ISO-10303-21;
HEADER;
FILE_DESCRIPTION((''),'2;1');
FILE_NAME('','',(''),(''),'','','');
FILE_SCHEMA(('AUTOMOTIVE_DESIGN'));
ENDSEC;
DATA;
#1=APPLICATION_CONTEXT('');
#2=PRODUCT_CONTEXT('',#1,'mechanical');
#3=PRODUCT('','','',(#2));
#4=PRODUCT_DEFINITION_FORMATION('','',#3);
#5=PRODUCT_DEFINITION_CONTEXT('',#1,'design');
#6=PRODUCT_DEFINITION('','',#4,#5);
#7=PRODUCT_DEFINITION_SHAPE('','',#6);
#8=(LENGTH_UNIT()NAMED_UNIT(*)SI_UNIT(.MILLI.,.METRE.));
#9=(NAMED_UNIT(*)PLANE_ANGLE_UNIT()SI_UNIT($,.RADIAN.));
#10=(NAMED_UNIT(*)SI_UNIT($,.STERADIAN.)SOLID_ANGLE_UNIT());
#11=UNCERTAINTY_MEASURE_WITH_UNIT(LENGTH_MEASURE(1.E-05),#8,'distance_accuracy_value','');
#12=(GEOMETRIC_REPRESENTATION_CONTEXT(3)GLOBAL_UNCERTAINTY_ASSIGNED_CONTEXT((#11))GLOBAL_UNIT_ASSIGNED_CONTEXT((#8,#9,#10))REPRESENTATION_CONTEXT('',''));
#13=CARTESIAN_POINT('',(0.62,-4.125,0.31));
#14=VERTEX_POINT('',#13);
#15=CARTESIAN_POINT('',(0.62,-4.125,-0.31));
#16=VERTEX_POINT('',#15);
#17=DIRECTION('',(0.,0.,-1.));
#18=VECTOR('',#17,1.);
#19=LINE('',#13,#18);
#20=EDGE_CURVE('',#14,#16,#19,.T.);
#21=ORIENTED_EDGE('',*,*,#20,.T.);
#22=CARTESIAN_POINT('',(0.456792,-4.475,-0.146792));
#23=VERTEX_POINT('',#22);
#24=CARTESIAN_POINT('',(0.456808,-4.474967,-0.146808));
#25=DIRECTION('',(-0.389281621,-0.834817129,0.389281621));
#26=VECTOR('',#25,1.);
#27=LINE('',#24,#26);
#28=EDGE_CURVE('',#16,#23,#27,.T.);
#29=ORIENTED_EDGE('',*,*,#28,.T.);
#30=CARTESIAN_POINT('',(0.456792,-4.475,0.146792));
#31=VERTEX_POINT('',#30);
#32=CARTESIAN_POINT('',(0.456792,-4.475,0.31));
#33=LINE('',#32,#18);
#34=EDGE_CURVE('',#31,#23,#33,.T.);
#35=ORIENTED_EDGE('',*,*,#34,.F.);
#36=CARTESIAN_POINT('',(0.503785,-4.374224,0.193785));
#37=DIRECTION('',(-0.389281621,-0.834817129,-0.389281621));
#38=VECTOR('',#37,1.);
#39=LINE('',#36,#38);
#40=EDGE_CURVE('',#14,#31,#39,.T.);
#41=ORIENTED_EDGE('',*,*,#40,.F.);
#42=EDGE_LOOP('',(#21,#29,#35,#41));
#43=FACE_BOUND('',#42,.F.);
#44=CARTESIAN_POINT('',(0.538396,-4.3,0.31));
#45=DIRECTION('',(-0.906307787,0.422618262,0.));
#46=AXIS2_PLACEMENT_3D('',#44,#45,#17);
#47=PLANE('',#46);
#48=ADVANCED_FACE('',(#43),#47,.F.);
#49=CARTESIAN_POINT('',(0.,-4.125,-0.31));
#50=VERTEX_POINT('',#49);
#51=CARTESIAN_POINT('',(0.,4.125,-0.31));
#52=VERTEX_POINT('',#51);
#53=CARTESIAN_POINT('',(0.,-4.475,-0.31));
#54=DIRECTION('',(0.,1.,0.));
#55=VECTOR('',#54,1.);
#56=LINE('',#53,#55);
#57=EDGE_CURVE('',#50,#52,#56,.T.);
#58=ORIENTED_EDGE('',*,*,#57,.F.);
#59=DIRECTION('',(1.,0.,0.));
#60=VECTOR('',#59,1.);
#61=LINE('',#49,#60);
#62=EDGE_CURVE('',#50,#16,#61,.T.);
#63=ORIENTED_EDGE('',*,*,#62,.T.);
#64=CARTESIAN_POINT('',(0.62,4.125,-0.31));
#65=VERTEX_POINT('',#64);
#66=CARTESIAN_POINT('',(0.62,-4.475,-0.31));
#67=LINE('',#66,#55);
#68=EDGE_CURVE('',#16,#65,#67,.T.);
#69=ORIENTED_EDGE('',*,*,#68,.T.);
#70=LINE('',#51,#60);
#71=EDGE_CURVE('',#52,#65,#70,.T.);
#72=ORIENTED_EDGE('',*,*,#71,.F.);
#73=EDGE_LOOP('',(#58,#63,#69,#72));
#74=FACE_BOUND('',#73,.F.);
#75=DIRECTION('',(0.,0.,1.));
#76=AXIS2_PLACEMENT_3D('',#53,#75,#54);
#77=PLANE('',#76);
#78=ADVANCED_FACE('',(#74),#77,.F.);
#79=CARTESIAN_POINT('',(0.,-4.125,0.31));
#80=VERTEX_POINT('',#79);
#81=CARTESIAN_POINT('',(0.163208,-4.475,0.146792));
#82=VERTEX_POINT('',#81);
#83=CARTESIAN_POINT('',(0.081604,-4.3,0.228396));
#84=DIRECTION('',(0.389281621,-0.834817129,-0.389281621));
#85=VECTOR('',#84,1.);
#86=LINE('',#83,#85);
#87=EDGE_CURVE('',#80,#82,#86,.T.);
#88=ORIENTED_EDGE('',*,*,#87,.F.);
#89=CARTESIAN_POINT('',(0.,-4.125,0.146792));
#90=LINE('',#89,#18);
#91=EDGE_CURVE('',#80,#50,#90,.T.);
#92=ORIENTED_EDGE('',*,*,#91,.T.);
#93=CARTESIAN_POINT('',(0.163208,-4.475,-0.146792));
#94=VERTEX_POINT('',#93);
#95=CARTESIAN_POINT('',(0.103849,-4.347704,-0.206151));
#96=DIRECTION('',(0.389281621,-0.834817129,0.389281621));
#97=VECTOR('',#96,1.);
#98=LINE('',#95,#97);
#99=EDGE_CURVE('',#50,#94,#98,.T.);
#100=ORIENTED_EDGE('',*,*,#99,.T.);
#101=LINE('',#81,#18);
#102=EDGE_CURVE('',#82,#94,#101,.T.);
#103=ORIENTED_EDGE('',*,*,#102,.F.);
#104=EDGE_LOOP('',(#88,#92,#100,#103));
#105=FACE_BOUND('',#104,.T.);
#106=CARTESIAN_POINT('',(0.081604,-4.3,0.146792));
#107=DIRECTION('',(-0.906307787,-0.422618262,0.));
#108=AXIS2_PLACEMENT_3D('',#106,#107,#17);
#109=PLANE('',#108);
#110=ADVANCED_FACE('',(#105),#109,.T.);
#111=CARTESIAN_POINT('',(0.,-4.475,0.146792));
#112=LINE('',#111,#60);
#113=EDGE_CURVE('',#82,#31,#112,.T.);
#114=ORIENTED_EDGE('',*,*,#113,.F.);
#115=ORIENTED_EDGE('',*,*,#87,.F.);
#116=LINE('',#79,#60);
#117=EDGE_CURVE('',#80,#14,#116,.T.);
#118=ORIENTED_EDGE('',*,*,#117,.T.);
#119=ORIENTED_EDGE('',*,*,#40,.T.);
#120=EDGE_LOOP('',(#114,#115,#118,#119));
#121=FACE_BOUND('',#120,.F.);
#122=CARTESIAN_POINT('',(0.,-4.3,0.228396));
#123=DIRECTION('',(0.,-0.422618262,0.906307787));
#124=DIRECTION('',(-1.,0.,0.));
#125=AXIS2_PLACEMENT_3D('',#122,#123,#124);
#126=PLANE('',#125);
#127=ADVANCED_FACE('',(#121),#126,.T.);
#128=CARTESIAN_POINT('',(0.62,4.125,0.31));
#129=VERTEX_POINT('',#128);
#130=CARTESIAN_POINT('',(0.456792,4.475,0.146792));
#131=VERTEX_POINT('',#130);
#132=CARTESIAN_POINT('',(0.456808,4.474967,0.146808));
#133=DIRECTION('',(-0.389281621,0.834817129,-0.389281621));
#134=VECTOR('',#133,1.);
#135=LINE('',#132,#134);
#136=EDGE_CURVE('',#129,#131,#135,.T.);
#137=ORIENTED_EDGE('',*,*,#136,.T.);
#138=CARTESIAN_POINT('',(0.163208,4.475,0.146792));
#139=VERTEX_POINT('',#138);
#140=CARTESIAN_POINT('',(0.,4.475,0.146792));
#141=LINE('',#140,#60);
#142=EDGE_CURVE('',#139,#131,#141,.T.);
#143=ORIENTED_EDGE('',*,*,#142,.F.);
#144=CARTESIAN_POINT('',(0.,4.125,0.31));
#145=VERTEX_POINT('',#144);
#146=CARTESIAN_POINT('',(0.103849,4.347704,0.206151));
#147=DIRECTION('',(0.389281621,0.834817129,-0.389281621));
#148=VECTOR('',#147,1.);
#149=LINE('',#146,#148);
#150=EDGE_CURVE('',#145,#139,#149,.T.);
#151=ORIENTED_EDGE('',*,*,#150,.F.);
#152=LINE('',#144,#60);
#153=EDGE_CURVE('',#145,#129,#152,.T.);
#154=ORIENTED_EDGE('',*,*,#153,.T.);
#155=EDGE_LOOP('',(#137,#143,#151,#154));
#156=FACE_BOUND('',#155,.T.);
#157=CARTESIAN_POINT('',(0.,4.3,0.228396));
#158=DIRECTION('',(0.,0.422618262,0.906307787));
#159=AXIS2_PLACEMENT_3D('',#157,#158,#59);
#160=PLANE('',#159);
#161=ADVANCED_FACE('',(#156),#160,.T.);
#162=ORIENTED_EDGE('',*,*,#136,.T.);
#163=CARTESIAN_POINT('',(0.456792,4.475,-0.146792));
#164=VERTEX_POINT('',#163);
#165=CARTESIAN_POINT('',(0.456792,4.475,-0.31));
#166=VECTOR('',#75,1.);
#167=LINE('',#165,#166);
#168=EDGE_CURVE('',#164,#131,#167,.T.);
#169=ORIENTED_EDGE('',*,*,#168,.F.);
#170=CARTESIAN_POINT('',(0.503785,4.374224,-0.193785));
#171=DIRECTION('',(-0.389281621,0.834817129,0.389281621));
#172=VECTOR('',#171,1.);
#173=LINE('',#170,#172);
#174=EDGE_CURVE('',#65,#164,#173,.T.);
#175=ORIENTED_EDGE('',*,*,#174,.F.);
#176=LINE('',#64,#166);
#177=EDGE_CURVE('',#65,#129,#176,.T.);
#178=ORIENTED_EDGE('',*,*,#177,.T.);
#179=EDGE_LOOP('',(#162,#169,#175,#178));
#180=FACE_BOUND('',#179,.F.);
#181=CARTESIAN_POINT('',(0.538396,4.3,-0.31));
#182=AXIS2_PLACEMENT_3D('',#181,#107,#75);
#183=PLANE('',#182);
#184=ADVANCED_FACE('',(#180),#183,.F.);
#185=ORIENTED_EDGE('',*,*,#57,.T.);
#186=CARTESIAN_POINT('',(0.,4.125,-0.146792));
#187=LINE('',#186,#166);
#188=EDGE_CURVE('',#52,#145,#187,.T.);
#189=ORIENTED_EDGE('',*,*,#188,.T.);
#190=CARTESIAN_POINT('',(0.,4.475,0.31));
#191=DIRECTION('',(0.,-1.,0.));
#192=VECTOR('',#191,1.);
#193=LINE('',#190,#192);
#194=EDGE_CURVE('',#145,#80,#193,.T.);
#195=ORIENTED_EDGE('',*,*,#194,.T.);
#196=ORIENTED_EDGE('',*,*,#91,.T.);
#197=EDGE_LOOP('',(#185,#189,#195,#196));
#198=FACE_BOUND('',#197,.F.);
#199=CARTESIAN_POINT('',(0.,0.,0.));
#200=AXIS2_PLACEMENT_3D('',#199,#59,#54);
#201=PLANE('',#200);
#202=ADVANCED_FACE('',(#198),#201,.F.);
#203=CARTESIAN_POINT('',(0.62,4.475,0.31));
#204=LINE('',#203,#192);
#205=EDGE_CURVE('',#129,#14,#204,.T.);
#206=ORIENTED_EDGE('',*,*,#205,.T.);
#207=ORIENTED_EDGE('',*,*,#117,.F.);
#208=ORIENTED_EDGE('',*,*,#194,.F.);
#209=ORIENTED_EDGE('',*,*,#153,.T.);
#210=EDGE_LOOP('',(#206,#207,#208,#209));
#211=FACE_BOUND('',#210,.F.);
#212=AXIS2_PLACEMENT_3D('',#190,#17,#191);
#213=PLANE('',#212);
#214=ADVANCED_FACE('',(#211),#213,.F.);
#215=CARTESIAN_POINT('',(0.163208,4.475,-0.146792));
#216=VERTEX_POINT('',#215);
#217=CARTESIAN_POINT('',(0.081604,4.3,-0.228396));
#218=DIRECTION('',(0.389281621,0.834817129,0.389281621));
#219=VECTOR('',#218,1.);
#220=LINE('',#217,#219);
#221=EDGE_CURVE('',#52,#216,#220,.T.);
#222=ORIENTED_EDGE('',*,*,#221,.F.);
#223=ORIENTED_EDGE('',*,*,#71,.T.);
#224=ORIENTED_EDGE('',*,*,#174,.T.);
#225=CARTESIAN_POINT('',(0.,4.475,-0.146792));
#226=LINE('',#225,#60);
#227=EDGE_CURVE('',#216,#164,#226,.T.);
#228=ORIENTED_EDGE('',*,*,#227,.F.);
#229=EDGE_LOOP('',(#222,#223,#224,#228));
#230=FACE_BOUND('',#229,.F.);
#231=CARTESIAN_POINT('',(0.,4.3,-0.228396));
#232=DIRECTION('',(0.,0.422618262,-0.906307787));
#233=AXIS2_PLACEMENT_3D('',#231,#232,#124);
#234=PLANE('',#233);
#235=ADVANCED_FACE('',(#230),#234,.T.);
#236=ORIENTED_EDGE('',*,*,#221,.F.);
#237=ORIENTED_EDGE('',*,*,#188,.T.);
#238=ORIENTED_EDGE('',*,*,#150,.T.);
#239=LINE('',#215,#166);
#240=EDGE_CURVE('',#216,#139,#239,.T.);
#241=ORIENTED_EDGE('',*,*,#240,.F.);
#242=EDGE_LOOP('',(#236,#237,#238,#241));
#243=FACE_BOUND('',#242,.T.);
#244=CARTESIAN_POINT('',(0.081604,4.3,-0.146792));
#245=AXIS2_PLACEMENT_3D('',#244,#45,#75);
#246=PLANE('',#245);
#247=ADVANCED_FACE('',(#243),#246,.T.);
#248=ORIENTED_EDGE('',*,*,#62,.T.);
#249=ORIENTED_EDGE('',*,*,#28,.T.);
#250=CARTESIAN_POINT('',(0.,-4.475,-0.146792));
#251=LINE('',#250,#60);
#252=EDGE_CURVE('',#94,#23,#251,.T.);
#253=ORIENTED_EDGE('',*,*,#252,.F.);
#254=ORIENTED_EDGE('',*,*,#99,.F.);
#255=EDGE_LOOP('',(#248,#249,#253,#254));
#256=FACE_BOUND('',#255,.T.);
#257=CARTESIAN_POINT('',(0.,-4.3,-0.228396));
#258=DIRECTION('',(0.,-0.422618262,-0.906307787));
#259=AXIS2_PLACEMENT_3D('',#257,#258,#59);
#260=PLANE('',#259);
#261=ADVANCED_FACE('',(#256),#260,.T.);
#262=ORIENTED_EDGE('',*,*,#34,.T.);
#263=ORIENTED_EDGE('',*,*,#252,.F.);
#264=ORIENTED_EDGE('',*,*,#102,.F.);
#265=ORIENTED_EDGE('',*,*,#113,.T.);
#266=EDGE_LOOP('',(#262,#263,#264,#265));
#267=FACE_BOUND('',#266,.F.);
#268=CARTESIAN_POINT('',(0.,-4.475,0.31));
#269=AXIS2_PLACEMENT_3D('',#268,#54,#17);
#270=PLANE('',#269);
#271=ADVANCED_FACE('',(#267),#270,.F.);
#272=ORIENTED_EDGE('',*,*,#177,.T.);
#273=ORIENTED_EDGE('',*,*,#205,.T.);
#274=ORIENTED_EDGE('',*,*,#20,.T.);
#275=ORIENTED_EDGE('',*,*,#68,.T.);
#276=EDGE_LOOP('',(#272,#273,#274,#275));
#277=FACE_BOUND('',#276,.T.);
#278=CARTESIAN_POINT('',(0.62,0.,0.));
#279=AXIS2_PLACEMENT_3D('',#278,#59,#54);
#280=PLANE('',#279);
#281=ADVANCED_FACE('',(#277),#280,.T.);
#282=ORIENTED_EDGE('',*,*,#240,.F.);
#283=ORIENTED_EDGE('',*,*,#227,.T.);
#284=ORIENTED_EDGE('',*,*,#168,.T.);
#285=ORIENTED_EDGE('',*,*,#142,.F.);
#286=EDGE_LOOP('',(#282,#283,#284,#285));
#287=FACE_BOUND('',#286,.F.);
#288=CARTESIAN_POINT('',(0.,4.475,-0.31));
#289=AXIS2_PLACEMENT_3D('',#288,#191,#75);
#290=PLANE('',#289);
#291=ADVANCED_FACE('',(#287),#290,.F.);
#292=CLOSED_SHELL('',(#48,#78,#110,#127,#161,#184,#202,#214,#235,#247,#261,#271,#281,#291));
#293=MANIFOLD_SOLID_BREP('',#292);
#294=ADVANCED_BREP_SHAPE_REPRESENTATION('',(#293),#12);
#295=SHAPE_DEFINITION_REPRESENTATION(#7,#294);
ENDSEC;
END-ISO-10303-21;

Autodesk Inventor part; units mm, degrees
ref_plane "YZ Plane" through (0, 0, 0) normal (1, 0, 0) x (0, 1, 0)
ref_plane "XZ Plane" through (0, 0, 0) normal (0, 1, 0) x (-1, 0, 0)
ref_plane "XY Plane" through (0, 0, 0) normal (0, 0, 1) x (1, 0, 0)
sketch "Sketch1" plane through (0, 0, 0) normal (1, 0, 0) x (0, 1, 0)
  line L0 (4.475, 0.31) -> (-4.475, 0.31)
  line L1 (-4.475, 0.31) -> (-4.475, -0.31)
  line L2 (-4.475, -0.31) -> (4.475, -0.31)
  line L3 (4.475, -0.31) -> (4.475, 0.31)
  line L4 (4.475, 0.31) -> (-4.475, -0.31) construction
  line L5 (-4.475, 0.31) -> (4.475, -0.31) construction
  point P0 (0, 0)
  dimension "d0" = 8.95
  dimension "d1" = 0.62
extrude "Extrusion1" add sketch "Sketch1" along normal blind 0.62
chamfer "Chamfer1" distance 0.35 angle 25 1 edges at (0.31, 4.475, 0.31) measured on face at (0.4133, 1.4917, 0.31)
chamfer "Chamfer2" distance 0.35 angle 25 1 edges at (0.62, 4.475, -0.0816) measured on face at (0.62, 1.375, -0.1033)
chamfer "Chamfer3" distance 0.35 angle 25 1 edges at (0.2284, 4.475, -0.31) measured on face at (0.2067, 1.375, -0.31)
chamfer "Chamfer4" distance 0.35 angle 25 1 edges at (0, 4.475, 0) measured on face at (0, 1.2583, -0.1033)
chamfer "Chamfer5" distance 0.35 angle 25 1 edges at (0.31, -4.475, -0.31) measured on face at (0.2067, -1.6083, -0.31)
chamfer "Chamfer6" distance 0.35 angle 25 1 edges at (0.62, -4.475, 0.0816) measured on face at (0.62, -1.4917, 0.1033)
chamfer "Chamfer7" distance 0.35 angle 25 1 edges at (0.2284, -4.475, 0.31) measured on face at (0.2067, -1.4917, 0.31)
chamfer "Chamfer8" distance 0.35 angle 25 1 edges at (0, -4.475, 0) measured on face at (0, 1.375, -0.1033)
properties part number "Pin_Header" material "Nickel-Copper Alloy 400"
